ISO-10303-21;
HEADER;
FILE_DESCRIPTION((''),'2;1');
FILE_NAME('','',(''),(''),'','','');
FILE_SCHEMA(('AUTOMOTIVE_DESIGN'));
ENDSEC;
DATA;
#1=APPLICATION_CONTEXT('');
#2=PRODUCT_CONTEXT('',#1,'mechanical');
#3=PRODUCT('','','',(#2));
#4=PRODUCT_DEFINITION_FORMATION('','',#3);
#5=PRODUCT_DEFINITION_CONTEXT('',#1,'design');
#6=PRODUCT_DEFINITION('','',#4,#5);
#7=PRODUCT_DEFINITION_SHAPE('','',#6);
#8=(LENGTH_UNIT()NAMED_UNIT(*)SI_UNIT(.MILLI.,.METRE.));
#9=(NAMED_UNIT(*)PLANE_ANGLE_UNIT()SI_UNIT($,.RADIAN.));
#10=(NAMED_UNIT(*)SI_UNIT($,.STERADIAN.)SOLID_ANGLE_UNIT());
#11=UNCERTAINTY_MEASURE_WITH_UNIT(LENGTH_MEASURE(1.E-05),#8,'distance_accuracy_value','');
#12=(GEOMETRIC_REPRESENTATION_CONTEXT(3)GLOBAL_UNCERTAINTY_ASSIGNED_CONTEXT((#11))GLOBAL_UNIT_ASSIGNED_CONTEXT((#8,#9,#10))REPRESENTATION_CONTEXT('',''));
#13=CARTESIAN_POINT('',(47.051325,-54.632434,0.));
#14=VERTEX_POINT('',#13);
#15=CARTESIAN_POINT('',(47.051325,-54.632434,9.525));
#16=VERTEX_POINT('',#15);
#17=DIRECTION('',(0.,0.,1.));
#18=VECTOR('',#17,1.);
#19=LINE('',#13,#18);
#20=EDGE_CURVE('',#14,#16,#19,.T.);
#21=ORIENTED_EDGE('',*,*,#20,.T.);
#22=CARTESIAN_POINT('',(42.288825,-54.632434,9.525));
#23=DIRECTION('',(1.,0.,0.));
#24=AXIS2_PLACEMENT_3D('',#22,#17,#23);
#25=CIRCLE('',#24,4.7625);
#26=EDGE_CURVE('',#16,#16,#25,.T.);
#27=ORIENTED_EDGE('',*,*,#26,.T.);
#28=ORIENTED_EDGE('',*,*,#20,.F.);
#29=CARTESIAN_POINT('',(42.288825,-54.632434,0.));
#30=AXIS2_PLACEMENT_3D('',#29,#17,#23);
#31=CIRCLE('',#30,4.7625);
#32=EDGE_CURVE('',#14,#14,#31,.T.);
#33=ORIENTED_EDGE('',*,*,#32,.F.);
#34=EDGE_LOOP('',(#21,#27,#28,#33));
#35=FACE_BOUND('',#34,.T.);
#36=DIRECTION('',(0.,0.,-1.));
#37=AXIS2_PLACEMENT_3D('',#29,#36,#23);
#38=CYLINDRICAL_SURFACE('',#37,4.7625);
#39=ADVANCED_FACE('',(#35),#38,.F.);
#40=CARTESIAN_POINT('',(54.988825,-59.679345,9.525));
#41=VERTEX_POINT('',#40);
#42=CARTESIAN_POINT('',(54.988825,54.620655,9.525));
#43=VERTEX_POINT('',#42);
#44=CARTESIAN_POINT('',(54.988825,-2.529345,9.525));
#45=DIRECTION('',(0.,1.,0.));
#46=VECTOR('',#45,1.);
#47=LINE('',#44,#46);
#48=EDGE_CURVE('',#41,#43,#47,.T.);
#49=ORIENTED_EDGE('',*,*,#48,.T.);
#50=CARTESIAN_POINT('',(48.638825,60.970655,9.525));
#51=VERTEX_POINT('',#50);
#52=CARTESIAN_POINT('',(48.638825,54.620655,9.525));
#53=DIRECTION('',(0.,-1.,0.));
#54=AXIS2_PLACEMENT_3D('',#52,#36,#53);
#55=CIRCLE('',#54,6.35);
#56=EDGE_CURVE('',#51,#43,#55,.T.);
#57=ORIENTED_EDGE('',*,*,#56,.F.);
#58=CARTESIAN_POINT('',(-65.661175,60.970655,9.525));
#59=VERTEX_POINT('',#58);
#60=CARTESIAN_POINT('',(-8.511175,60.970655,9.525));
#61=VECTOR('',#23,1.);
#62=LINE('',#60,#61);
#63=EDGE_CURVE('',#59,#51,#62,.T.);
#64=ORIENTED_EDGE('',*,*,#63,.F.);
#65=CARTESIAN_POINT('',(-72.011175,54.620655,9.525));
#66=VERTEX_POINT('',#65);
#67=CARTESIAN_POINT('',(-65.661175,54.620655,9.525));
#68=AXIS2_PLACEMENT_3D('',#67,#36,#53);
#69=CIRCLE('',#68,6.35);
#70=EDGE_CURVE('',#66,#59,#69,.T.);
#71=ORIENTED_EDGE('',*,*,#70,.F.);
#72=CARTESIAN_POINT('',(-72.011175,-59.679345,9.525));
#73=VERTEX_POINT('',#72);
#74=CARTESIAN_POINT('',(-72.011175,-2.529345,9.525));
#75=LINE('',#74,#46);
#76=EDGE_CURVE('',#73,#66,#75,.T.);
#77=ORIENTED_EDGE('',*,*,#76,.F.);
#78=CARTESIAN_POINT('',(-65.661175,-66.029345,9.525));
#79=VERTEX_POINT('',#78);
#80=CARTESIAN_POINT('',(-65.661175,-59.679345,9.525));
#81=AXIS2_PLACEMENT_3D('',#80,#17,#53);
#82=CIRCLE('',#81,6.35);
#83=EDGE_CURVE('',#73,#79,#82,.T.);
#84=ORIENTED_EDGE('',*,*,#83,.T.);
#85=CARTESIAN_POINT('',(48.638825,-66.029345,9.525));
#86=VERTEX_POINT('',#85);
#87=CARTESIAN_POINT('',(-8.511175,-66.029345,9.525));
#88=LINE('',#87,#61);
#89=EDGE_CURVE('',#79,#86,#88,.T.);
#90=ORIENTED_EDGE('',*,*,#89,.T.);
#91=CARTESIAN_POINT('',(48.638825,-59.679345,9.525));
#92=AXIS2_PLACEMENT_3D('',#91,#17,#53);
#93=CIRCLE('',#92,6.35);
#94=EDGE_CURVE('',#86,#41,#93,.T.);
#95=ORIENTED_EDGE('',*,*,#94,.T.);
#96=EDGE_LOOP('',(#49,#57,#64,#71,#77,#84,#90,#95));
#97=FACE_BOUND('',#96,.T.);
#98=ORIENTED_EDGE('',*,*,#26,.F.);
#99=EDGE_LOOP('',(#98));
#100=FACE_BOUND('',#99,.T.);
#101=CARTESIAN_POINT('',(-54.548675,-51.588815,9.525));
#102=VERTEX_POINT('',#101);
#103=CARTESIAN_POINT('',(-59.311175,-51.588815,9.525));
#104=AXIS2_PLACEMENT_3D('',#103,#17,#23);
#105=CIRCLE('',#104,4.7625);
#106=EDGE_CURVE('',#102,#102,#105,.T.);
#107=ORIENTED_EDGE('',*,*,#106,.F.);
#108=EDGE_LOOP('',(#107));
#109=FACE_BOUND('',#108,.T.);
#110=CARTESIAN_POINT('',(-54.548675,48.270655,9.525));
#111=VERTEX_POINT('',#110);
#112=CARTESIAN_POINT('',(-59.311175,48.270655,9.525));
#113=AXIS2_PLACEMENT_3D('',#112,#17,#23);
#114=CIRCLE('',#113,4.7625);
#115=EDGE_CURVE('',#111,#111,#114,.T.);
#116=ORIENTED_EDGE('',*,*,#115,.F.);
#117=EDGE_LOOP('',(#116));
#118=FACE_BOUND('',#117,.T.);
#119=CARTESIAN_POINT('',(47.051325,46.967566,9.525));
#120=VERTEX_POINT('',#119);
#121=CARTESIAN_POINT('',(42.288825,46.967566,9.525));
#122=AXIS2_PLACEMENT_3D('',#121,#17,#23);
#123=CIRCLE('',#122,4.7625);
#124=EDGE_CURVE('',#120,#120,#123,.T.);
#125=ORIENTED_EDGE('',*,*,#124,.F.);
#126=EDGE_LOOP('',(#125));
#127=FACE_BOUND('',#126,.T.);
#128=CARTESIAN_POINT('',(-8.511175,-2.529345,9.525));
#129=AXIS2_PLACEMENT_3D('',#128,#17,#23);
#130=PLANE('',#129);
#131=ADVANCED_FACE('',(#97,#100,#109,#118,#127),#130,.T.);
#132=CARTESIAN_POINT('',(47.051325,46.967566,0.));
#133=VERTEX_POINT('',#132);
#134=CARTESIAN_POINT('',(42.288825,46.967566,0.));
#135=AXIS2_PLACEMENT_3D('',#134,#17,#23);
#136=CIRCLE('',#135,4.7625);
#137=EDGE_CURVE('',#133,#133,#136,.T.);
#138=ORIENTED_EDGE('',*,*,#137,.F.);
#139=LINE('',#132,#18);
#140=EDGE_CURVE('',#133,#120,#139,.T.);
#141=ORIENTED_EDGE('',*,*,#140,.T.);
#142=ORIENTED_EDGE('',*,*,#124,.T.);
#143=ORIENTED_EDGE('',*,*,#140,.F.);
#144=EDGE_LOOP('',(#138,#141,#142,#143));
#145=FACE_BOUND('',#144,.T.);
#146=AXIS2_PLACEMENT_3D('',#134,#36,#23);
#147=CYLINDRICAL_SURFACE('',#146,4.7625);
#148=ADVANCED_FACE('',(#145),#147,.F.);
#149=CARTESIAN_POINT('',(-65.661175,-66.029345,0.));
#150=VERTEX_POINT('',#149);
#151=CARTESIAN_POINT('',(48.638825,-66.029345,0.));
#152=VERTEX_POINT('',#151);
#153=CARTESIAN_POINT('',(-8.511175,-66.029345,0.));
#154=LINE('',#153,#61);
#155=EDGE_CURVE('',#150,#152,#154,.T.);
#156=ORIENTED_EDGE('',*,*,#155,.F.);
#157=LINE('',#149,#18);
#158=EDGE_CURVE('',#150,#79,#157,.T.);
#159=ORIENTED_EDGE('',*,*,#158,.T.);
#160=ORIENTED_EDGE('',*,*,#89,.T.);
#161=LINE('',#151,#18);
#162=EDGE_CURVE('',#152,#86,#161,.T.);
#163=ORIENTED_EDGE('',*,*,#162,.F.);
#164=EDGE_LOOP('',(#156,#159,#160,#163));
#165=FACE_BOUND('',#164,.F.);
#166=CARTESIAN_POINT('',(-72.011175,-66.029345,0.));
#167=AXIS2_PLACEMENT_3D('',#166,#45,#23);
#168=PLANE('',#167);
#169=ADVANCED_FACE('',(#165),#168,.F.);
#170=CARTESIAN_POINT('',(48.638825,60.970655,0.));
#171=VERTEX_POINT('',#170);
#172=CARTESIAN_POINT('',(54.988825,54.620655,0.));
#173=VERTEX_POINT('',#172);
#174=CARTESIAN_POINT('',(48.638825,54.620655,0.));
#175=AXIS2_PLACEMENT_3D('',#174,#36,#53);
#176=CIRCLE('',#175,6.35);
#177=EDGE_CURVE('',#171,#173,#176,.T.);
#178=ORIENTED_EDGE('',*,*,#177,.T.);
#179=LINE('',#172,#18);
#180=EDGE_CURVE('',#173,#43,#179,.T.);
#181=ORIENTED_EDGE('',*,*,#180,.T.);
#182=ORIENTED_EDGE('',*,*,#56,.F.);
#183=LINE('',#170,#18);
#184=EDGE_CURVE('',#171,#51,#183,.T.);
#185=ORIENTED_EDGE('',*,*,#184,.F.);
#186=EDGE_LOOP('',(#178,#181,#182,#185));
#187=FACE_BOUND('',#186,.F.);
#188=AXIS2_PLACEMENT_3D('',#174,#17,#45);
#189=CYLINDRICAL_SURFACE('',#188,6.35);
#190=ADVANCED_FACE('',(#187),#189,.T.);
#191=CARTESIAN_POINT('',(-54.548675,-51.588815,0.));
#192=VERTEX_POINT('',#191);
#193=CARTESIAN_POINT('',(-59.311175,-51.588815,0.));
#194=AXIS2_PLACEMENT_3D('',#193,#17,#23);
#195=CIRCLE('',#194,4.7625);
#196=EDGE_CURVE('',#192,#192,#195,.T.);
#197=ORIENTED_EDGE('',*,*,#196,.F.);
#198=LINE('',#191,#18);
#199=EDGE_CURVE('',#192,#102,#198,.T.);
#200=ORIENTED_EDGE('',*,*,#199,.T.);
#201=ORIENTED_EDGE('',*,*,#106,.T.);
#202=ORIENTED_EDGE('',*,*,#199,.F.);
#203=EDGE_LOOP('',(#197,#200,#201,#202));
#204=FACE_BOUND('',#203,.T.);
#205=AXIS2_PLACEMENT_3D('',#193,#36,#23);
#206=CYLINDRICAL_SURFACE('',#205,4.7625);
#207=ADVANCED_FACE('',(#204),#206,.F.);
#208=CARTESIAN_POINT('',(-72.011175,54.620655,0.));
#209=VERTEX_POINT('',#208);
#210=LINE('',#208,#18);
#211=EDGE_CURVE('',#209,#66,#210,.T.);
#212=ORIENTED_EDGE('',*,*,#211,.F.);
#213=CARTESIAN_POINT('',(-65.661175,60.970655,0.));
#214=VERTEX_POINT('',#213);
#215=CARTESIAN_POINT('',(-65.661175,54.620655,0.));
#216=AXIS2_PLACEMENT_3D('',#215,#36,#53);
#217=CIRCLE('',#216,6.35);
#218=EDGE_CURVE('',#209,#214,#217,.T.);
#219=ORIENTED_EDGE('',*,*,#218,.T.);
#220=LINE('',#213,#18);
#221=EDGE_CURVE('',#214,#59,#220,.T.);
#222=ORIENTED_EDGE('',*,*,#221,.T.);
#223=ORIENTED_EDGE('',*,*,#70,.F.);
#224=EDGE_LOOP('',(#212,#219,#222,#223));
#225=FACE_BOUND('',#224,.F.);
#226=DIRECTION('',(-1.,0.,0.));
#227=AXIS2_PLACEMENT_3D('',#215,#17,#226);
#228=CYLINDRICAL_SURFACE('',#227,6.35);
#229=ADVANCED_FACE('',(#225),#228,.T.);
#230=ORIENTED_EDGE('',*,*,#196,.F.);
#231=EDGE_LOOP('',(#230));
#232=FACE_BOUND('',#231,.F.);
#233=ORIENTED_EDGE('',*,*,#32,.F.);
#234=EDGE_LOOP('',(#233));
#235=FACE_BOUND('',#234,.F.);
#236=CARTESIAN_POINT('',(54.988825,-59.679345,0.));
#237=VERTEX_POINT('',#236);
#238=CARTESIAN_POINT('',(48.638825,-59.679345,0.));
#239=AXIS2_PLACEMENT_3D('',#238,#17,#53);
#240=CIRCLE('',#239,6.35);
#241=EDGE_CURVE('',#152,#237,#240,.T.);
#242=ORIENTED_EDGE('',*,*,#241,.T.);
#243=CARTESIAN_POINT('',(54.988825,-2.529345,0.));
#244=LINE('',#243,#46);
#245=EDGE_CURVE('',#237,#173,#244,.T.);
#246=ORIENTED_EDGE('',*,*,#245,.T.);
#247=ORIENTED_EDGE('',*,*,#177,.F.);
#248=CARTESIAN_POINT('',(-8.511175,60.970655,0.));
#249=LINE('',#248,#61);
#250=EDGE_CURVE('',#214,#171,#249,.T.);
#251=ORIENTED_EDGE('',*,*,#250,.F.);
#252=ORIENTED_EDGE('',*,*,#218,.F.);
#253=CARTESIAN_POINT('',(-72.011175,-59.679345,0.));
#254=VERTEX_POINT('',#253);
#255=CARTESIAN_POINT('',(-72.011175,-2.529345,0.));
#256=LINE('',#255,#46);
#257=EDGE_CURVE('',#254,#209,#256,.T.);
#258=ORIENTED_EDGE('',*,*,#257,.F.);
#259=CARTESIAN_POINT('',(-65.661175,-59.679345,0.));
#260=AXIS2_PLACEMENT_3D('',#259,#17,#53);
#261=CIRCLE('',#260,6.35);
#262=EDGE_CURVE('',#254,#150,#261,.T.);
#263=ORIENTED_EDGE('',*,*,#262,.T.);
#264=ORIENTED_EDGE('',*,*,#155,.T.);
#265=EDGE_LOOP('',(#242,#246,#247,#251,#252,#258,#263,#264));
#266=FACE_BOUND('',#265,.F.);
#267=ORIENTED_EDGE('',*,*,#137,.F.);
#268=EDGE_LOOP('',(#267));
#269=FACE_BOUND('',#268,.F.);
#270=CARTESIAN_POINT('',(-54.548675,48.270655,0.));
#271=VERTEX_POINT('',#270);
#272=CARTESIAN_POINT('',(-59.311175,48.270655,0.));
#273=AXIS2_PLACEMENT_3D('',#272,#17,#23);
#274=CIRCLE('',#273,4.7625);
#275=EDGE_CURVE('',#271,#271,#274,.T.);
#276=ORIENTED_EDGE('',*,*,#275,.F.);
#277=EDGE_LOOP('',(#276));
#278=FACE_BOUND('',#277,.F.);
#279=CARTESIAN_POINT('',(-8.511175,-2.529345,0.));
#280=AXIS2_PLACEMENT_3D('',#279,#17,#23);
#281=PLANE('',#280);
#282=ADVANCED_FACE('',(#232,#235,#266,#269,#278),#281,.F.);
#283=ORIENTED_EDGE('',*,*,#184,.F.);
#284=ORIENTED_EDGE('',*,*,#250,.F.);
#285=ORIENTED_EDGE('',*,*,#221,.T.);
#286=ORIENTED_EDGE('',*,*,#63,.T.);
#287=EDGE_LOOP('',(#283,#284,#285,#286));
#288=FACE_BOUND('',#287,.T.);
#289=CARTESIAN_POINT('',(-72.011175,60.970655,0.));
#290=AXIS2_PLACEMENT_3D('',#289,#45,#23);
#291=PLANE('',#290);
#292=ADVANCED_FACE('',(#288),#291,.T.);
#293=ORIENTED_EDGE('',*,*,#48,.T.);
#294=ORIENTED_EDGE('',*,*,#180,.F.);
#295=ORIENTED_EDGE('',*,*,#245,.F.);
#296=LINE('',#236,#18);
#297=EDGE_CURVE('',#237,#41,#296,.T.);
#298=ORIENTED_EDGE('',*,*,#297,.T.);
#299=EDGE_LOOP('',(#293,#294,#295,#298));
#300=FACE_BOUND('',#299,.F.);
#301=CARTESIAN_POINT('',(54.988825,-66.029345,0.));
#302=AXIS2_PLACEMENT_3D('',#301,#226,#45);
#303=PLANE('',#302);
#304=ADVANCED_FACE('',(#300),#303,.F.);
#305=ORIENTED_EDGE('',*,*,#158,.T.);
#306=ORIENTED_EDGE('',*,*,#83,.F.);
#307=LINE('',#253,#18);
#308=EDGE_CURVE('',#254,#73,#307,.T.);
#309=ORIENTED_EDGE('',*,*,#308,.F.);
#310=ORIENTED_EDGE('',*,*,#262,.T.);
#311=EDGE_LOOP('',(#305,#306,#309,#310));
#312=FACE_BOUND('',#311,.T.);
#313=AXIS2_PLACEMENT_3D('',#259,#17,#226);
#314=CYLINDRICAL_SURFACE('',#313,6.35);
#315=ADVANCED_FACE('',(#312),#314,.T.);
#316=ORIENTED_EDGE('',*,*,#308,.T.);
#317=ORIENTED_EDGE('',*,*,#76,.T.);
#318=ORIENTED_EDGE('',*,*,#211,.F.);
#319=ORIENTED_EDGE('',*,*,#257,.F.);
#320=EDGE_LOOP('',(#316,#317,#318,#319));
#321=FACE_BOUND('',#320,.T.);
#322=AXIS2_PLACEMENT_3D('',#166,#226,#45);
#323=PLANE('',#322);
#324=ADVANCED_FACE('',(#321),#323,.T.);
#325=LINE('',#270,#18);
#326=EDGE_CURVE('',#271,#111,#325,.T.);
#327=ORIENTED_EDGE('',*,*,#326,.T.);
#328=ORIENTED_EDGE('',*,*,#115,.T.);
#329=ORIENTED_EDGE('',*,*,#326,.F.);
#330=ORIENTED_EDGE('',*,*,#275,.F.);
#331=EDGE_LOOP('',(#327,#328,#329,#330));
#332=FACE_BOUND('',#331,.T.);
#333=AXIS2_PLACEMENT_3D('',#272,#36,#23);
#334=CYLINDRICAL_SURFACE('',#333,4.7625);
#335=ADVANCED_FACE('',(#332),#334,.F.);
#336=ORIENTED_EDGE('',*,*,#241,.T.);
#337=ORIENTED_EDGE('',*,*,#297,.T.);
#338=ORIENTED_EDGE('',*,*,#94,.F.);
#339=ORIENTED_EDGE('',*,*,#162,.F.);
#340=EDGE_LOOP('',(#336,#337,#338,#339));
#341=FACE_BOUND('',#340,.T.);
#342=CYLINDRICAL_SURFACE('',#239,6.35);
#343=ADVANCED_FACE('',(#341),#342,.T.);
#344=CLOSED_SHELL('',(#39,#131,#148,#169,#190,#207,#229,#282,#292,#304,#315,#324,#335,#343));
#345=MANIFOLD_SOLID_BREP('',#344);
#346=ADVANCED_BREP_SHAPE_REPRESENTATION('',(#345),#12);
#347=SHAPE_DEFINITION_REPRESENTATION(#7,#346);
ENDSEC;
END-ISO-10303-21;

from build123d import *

# Parameters (mm, degrees)
F0_W     = 127
F0_H     = 127
F0_R     = 4.7625
F1_DEPTH = 9.525
F2_R     = 6.35


with BuildPart() as f1:
    # F0 (on Top) → F1 (new body)
    with BuildSketch(Plane.XY):
        with Locations((-8.511175, -2.529345)):
            Rectangle(F0_W, F0_H)
        with Locations((-59.311175, -51.588815)):
            Circle(F0_R, mode=Mode.SUBTRACT)
        with Locations((42.288825, -54.632434)):
            Circle(F0_R, mode=Mode.SUBTRACT)
        with Locations((-59.311175, 48.270655)):
            Circle(F0_R, mode=Mode.SUBTRACT)
        with Locations((42.288825, 46.967566)):
            Circle(F0_R, mode=Mode.SUBTRACT)
    extrude(amount=F1_DEPTH)

    # F2
    f2_edges = [f1.edges().sort_by_distance(p)[0] for p in [
        (-72.011175, -66.029345, 4.7625),
        (54.988825, -66.029345, 4.7625),
        (-72.011175, 60.970655, 4.7625),
        (54.988825, 60.970655, 4.7625),
    ]]
    fillet(f2_edges, radius=F2_R)


solid = f1.part
